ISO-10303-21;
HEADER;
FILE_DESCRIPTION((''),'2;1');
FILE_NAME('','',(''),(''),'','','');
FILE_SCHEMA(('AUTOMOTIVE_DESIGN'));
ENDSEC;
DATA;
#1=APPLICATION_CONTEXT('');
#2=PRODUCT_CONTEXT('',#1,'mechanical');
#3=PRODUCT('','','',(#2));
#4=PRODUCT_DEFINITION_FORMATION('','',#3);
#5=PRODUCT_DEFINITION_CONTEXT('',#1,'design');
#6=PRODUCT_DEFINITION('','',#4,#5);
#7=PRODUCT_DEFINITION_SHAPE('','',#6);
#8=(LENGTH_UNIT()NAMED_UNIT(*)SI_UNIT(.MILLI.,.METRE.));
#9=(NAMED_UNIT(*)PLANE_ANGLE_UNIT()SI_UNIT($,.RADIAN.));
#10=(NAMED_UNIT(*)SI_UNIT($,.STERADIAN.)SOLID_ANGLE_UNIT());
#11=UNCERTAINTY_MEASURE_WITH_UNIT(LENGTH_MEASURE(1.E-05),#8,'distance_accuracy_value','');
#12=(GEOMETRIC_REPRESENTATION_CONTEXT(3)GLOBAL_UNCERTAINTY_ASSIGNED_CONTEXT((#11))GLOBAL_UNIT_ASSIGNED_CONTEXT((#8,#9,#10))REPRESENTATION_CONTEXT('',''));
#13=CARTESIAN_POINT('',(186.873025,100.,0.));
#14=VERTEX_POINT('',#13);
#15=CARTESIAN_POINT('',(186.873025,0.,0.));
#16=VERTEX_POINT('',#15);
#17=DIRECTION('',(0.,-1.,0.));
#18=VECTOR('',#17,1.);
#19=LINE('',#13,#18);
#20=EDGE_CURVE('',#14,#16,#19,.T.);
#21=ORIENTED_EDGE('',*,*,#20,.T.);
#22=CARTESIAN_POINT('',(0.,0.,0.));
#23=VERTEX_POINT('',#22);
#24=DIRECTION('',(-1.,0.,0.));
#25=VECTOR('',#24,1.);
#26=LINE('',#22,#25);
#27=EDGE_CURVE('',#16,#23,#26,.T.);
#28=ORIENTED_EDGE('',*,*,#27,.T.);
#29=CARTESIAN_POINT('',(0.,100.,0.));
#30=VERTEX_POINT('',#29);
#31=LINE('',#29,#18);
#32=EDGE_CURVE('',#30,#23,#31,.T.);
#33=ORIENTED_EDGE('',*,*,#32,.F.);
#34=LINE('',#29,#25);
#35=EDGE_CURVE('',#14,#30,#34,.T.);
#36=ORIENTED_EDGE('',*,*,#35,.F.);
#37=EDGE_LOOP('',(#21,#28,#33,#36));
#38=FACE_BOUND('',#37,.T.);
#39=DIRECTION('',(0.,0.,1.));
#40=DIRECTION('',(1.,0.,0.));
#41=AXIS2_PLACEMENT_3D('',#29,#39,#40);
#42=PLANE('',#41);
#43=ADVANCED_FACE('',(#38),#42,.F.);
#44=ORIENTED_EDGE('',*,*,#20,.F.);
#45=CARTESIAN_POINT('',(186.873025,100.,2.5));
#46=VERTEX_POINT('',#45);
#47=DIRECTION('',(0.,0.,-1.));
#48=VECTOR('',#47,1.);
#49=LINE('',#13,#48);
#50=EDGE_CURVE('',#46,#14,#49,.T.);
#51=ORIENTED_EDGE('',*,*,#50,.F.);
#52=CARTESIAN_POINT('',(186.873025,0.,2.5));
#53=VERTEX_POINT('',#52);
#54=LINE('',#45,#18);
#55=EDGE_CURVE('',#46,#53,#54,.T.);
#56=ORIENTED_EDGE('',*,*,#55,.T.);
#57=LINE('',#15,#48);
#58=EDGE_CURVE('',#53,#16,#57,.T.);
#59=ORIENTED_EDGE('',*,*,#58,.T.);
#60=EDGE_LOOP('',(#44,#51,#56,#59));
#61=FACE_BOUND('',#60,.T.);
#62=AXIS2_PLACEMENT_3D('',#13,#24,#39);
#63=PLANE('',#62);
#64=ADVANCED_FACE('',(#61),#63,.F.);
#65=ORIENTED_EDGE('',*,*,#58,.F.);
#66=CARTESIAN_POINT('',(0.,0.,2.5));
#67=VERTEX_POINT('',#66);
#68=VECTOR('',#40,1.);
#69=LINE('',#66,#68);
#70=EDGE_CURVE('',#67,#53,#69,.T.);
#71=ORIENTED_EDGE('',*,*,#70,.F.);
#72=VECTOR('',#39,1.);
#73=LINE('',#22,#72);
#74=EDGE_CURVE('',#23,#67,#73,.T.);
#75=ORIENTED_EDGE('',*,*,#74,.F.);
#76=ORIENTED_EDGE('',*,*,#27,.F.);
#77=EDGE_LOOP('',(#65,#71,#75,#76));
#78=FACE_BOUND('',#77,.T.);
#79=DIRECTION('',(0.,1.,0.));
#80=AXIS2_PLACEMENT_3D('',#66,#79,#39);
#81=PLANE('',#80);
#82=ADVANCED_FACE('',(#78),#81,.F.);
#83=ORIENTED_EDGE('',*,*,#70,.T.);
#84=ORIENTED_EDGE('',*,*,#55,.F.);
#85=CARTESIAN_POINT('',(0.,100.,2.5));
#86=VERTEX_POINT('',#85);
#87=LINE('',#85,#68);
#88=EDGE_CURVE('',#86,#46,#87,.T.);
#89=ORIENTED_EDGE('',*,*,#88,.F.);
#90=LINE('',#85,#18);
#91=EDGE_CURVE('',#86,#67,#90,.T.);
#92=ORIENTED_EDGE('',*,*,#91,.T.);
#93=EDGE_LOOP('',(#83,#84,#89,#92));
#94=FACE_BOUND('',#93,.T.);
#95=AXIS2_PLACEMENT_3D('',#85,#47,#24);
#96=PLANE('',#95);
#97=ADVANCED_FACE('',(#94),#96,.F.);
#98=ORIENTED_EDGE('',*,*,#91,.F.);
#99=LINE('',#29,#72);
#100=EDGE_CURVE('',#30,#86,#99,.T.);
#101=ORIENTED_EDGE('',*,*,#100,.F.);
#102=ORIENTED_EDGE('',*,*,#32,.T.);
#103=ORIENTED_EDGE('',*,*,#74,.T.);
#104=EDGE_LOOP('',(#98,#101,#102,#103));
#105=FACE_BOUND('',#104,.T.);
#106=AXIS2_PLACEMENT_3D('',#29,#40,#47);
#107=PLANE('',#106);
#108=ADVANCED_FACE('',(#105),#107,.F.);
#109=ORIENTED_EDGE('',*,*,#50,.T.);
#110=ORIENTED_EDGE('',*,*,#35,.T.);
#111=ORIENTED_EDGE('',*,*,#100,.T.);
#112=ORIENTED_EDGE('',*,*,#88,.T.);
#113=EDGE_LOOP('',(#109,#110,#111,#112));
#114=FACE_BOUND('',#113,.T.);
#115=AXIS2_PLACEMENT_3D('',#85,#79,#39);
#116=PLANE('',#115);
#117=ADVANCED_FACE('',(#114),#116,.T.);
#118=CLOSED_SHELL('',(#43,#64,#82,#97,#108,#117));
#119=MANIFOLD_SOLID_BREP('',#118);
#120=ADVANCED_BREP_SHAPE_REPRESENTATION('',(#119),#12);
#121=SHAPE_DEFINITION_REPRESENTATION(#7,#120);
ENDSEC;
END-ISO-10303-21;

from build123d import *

# Parameters (mm, degrees)
SKETCH_1_W      = 186.873025202
SKETCH_1_H      = 2.5
EXTRUDE_1_DEPTH = 100


with BuildPart() as part:
    # Эскиз1 → Вытянуть1 (new body)
    with BuildSketch(Plane(origin=(0, 0, 0), x_dir=(1, 0, 0), z_dir=(0, 1, 0))):
        with Locations((93.436512601, -1.25)):
            Rectangle(SKETCH_1_W, SKETCH_1_H)
    extrude(amount=EXTRUDE_1_DEPTH)


solid = part.part
